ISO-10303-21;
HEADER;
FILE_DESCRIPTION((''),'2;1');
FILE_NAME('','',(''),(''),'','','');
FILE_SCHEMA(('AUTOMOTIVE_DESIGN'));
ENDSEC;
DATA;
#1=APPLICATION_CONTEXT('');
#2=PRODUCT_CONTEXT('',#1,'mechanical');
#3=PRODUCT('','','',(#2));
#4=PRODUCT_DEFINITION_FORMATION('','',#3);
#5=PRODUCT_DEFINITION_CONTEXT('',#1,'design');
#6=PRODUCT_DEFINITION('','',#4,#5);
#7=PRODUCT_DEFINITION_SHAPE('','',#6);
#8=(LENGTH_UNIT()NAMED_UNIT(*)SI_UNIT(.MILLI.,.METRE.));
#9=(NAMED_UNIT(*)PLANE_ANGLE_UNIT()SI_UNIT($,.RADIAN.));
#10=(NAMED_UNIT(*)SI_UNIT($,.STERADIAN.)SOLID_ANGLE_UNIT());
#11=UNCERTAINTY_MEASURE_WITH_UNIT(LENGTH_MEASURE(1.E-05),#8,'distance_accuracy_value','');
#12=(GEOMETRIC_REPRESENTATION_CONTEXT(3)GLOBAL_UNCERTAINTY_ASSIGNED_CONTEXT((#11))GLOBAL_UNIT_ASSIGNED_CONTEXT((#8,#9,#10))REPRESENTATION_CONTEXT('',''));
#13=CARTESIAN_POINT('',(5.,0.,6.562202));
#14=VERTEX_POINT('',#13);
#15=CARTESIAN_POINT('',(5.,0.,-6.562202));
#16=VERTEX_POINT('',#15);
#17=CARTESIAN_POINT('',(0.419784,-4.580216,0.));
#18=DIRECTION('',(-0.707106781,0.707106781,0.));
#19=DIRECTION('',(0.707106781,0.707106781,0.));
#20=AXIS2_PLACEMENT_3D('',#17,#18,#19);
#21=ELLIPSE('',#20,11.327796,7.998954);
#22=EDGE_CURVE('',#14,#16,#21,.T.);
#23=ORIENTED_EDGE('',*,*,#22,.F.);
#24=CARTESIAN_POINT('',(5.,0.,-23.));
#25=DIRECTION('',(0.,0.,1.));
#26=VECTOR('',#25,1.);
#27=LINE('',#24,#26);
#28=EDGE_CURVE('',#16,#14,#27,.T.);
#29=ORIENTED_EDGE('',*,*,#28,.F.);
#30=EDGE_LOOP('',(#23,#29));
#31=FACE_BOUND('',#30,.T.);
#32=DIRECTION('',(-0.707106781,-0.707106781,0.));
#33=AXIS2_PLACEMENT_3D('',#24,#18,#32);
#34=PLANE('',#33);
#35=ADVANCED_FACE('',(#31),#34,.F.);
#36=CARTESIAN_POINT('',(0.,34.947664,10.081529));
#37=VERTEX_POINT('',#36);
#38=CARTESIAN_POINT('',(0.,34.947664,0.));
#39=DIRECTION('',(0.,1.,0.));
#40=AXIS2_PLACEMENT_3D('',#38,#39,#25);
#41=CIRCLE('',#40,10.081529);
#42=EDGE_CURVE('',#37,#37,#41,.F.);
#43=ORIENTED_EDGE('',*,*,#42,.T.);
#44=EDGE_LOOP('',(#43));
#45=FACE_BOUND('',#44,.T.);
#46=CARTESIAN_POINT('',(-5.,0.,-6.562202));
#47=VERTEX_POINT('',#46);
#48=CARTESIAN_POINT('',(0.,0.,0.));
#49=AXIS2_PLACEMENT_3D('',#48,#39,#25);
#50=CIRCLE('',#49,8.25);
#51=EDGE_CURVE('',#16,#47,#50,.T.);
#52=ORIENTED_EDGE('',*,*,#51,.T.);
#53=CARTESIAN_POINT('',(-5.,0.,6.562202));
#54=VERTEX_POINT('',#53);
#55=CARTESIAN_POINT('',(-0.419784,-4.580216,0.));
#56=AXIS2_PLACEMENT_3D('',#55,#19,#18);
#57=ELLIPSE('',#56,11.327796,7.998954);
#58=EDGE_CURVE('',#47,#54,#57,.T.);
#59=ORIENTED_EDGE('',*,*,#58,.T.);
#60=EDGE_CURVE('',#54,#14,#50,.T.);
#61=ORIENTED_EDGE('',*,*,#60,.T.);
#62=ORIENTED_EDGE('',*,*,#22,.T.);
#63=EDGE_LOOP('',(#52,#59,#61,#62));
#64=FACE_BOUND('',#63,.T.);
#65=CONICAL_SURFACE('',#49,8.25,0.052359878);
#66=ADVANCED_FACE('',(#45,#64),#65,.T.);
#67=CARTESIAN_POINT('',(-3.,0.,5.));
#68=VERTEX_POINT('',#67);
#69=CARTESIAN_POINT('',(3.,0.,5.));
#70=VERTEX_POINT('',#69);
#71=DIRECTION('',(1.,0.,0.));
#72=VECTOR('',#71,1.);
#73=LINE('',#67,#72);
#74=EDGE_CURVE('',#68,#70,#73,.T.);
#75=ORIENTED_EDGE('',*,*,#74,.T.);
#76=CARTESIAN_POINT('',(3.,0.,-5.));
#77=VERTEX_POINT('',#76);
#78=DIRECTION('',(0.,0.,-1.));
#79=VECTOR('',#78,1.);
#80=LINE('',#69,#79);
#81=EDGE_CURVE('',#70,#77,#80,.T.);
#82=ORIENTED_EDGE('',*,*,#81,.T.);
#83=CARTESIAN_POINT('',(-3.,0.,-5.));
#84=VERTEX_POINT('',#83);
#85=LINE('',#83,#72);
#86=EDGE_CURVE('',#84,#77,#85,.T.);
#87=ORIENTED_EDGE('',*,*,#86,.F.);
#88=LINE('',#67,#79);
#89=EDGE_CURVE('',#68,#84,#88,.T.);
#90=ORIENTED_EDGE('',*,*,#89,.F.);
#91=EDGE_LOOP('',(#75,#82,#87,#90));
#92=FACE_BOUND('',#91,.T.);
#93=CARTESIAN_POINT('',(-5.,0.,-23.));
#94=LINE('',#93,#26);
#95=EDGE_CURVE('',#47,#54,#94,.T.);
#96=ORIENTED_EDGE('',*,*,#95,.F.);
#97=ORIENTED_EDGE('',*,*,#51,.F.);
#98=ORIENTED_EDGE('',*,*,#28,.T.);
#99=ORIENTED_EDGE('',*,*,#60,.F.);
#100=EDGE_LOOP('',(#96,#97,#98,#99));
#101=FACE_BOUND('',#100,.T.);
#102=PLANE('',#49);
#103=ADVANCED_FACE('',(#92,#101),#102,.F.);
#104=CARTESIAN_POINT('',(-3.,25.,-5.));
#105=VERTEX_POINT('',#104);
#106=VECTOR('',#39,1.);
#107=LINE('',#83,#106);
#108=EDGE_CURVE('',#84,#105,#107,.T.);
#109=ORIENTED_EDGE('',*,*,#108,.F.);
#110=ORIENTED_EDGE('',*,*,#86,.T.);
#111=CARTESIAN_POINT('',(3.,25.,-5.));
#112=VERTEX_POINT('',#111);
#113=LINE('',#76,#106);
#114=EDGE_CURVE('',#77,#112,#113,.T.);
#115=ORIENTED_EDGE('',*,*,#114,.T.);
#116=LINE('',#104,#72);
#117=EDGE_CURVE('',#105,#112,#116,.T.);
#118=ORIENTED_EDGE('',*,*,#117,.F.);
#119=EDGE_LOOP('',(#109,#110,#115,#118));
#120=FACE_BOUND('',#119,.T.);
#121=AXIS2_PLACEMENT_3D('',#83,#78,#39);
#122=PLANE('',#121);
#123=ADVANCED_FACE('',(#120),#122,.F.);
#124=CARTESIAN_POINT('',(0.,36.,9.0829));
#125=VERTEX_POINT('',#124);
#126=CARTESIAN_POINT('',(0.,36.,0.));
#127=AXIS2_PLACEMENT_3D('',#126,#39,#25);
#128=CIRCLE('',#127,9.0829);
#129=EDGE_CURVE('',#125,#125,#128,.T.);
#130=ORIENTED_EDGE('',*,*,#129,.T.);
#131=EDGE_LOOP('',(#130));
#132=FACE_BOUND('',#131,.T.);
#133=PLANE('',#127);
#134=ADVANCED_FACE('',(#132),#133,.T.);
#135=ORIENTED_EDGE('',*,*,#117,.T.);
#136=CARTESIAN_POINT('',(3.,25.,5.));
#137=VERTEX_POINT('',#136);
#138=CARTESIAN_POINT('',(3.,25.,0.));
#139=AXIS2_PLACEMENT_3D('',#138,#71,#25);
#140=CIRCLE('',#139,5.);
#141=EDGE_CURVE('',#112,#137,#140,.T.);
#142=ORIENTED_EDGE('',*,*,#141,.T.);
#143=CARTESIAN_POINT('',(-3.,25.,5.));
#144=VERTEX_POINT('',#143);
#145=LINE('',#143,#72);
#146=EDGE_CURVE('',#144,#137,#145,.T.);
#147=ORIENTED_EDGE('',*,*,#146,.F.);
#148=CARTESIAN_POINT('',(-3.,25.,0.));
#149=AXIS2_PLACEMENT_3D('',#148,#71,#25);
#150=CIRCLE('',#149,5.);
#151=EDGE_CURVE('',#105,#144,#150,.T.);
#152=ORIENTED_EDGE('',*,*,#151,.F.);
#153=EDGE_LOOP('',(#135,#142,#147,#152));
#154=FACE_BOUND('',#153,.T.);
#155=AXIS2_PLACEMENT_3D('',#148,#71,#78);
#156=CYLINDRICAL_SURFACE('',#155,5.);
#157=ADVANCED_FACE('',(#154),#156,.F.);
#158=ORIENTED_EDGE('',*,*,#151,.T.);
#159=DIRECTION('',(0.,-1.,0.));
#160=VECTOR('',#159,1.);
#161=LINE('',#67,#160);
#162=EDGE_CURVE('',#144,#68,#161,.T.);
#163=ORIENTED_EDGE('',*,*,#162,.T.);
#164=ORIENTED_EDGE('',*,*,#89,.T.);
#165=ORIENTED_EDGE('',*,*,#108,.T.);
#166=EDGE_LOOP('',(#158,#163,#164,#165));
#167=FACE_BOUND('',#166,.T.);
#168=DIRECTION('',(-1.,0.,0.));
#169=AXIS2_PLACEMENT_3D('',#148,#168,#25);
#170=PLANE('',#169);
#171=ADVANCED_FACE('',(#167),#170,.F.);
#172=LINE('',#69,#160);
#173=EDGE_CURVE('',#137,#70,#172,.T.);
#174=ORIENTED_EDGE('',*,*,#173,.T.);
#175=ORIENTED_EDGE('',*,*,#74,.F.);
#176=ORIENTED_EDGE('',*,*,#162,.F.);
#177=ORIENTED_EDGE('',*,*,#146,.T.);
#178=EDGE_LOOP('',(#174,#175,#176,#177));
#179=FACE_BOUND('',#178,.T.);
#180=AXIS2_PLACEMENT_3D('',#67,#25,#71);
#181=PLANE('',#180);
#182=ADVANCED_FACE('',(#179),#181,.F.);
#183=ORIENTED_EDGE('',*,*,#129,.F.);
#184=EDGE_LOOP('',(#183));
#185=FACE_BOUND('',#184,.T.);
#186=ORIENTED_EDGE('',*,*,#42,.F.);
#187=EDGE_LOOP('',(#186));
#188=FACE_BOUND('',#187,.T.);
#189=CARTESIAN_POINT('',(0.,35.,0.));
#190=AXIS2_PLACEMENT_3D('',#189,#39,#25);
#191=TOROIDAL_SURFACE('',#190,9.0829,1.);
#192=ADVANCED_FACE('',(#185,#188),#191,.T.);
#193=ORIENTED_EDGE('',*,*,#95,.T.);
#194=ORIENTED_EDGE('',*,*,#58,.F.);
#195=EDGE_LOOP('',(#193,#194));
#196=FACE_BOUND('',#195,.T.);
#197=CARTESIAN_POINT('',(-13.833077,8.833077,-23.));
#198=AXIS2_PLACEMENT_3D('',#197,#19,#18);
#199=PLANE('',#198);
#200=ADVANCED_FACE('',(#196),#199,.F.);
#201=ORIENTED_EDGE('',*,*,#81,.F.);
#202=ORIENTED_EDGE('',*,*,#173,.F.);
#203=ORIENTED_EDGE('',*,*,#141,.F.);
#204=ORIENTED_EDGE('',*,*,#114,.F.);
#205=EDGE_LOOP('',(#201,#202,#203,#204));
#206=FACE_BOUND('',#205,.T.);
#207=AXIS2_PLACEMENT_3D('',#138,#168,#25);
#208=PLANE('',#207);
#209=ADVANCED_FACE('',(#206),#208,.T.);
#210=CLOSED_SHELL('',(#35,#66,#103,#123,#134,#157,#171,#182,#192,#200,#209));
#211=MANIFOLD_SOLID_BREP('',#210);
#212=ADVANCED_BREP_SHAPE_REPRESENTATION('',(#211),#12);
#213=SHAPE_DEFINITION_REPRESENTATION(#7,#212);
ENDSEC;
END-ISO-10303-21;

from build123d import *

# Parameters (mm, degrees)
SKETCH1_R           = 8.25
BOSS_EXTRUDE1_DEPTH = 36
BOSS_EXTRUDE1_DRAFT = -3
CUT_EXTRUDE1_DEPTH  = 3
CUT_EXTRUDE2_DEPTH  = 23
FILLET1_R           = 1


with BuildPart() as part:
    # Sketch1 → Boss-Extrude1 (with draft: the straight prism first)
    with BuildSketch(Plane(origin=(0, 0, 0), x_dir=(1, 0, 0), z_dir=(0, 1, 0))):
        Circle(SKETCH1_R)
    extrude(amount=BOSS_EXTRUDE1_DEPTH)
    # Boss-Extrude1: the draft: its side faces are tilted about the plane it starts from
    boss_extrude1_sides = [part.faces().sort_by_distance(p)[0] for p in [
        (-8.25, 18, 0),
    ]]
    draft(boss_extrude1_sides, Plane(origin=(0, 0, 0), x_dir=(1, 0, 0), z_dir=(0, 1, 0)), BOSS_EXTRUDE1_DRAFT)

    # Sketch2 → Cut-Extrude1 (cut, symmetric)
    with BuildSketch(Plane(origin=(0, 0, 0), x_dir=(0, 0, -1), z_dir=(1, 0, 0))):
        with BuildLine():
            Line((-5, 0), (5, 0))
            Line((5, 0), (5, 25))
            ThreePointArc((5, 25), (0, 30), (-5, 25))
            Line((-5, 25), (-5, 0))
        make_face()
    extrude(amount=CUT_EXTRUDE1_DEPTH, both=True, mode=Mode.SUBTRACT)

    # Sketch3 → Cut-Extrude2 (cut, symmetric)
    with BuildSketch(Plane.XY):
        Polygon((-5, 0), (5, 0), (13.833076703, 8.833076703), (13.833076703, -5.869531207), (-13.833076703, -5.869531207), (-13.833076703, 8.833076703), align=None)
    extrude(amount=CUT_EXTRUDE2_DEPTH, both=True, mode=Mode.SUBTRACT)

    # Fillet1
    fillet1_edges = [part.edges().sort_by_distance(p)[0] for p in [
        (-10.136680054, 36, 0),
    ]]
    fillet(fillet1_edges, radius=FILLET1_R)


solid = part.part
